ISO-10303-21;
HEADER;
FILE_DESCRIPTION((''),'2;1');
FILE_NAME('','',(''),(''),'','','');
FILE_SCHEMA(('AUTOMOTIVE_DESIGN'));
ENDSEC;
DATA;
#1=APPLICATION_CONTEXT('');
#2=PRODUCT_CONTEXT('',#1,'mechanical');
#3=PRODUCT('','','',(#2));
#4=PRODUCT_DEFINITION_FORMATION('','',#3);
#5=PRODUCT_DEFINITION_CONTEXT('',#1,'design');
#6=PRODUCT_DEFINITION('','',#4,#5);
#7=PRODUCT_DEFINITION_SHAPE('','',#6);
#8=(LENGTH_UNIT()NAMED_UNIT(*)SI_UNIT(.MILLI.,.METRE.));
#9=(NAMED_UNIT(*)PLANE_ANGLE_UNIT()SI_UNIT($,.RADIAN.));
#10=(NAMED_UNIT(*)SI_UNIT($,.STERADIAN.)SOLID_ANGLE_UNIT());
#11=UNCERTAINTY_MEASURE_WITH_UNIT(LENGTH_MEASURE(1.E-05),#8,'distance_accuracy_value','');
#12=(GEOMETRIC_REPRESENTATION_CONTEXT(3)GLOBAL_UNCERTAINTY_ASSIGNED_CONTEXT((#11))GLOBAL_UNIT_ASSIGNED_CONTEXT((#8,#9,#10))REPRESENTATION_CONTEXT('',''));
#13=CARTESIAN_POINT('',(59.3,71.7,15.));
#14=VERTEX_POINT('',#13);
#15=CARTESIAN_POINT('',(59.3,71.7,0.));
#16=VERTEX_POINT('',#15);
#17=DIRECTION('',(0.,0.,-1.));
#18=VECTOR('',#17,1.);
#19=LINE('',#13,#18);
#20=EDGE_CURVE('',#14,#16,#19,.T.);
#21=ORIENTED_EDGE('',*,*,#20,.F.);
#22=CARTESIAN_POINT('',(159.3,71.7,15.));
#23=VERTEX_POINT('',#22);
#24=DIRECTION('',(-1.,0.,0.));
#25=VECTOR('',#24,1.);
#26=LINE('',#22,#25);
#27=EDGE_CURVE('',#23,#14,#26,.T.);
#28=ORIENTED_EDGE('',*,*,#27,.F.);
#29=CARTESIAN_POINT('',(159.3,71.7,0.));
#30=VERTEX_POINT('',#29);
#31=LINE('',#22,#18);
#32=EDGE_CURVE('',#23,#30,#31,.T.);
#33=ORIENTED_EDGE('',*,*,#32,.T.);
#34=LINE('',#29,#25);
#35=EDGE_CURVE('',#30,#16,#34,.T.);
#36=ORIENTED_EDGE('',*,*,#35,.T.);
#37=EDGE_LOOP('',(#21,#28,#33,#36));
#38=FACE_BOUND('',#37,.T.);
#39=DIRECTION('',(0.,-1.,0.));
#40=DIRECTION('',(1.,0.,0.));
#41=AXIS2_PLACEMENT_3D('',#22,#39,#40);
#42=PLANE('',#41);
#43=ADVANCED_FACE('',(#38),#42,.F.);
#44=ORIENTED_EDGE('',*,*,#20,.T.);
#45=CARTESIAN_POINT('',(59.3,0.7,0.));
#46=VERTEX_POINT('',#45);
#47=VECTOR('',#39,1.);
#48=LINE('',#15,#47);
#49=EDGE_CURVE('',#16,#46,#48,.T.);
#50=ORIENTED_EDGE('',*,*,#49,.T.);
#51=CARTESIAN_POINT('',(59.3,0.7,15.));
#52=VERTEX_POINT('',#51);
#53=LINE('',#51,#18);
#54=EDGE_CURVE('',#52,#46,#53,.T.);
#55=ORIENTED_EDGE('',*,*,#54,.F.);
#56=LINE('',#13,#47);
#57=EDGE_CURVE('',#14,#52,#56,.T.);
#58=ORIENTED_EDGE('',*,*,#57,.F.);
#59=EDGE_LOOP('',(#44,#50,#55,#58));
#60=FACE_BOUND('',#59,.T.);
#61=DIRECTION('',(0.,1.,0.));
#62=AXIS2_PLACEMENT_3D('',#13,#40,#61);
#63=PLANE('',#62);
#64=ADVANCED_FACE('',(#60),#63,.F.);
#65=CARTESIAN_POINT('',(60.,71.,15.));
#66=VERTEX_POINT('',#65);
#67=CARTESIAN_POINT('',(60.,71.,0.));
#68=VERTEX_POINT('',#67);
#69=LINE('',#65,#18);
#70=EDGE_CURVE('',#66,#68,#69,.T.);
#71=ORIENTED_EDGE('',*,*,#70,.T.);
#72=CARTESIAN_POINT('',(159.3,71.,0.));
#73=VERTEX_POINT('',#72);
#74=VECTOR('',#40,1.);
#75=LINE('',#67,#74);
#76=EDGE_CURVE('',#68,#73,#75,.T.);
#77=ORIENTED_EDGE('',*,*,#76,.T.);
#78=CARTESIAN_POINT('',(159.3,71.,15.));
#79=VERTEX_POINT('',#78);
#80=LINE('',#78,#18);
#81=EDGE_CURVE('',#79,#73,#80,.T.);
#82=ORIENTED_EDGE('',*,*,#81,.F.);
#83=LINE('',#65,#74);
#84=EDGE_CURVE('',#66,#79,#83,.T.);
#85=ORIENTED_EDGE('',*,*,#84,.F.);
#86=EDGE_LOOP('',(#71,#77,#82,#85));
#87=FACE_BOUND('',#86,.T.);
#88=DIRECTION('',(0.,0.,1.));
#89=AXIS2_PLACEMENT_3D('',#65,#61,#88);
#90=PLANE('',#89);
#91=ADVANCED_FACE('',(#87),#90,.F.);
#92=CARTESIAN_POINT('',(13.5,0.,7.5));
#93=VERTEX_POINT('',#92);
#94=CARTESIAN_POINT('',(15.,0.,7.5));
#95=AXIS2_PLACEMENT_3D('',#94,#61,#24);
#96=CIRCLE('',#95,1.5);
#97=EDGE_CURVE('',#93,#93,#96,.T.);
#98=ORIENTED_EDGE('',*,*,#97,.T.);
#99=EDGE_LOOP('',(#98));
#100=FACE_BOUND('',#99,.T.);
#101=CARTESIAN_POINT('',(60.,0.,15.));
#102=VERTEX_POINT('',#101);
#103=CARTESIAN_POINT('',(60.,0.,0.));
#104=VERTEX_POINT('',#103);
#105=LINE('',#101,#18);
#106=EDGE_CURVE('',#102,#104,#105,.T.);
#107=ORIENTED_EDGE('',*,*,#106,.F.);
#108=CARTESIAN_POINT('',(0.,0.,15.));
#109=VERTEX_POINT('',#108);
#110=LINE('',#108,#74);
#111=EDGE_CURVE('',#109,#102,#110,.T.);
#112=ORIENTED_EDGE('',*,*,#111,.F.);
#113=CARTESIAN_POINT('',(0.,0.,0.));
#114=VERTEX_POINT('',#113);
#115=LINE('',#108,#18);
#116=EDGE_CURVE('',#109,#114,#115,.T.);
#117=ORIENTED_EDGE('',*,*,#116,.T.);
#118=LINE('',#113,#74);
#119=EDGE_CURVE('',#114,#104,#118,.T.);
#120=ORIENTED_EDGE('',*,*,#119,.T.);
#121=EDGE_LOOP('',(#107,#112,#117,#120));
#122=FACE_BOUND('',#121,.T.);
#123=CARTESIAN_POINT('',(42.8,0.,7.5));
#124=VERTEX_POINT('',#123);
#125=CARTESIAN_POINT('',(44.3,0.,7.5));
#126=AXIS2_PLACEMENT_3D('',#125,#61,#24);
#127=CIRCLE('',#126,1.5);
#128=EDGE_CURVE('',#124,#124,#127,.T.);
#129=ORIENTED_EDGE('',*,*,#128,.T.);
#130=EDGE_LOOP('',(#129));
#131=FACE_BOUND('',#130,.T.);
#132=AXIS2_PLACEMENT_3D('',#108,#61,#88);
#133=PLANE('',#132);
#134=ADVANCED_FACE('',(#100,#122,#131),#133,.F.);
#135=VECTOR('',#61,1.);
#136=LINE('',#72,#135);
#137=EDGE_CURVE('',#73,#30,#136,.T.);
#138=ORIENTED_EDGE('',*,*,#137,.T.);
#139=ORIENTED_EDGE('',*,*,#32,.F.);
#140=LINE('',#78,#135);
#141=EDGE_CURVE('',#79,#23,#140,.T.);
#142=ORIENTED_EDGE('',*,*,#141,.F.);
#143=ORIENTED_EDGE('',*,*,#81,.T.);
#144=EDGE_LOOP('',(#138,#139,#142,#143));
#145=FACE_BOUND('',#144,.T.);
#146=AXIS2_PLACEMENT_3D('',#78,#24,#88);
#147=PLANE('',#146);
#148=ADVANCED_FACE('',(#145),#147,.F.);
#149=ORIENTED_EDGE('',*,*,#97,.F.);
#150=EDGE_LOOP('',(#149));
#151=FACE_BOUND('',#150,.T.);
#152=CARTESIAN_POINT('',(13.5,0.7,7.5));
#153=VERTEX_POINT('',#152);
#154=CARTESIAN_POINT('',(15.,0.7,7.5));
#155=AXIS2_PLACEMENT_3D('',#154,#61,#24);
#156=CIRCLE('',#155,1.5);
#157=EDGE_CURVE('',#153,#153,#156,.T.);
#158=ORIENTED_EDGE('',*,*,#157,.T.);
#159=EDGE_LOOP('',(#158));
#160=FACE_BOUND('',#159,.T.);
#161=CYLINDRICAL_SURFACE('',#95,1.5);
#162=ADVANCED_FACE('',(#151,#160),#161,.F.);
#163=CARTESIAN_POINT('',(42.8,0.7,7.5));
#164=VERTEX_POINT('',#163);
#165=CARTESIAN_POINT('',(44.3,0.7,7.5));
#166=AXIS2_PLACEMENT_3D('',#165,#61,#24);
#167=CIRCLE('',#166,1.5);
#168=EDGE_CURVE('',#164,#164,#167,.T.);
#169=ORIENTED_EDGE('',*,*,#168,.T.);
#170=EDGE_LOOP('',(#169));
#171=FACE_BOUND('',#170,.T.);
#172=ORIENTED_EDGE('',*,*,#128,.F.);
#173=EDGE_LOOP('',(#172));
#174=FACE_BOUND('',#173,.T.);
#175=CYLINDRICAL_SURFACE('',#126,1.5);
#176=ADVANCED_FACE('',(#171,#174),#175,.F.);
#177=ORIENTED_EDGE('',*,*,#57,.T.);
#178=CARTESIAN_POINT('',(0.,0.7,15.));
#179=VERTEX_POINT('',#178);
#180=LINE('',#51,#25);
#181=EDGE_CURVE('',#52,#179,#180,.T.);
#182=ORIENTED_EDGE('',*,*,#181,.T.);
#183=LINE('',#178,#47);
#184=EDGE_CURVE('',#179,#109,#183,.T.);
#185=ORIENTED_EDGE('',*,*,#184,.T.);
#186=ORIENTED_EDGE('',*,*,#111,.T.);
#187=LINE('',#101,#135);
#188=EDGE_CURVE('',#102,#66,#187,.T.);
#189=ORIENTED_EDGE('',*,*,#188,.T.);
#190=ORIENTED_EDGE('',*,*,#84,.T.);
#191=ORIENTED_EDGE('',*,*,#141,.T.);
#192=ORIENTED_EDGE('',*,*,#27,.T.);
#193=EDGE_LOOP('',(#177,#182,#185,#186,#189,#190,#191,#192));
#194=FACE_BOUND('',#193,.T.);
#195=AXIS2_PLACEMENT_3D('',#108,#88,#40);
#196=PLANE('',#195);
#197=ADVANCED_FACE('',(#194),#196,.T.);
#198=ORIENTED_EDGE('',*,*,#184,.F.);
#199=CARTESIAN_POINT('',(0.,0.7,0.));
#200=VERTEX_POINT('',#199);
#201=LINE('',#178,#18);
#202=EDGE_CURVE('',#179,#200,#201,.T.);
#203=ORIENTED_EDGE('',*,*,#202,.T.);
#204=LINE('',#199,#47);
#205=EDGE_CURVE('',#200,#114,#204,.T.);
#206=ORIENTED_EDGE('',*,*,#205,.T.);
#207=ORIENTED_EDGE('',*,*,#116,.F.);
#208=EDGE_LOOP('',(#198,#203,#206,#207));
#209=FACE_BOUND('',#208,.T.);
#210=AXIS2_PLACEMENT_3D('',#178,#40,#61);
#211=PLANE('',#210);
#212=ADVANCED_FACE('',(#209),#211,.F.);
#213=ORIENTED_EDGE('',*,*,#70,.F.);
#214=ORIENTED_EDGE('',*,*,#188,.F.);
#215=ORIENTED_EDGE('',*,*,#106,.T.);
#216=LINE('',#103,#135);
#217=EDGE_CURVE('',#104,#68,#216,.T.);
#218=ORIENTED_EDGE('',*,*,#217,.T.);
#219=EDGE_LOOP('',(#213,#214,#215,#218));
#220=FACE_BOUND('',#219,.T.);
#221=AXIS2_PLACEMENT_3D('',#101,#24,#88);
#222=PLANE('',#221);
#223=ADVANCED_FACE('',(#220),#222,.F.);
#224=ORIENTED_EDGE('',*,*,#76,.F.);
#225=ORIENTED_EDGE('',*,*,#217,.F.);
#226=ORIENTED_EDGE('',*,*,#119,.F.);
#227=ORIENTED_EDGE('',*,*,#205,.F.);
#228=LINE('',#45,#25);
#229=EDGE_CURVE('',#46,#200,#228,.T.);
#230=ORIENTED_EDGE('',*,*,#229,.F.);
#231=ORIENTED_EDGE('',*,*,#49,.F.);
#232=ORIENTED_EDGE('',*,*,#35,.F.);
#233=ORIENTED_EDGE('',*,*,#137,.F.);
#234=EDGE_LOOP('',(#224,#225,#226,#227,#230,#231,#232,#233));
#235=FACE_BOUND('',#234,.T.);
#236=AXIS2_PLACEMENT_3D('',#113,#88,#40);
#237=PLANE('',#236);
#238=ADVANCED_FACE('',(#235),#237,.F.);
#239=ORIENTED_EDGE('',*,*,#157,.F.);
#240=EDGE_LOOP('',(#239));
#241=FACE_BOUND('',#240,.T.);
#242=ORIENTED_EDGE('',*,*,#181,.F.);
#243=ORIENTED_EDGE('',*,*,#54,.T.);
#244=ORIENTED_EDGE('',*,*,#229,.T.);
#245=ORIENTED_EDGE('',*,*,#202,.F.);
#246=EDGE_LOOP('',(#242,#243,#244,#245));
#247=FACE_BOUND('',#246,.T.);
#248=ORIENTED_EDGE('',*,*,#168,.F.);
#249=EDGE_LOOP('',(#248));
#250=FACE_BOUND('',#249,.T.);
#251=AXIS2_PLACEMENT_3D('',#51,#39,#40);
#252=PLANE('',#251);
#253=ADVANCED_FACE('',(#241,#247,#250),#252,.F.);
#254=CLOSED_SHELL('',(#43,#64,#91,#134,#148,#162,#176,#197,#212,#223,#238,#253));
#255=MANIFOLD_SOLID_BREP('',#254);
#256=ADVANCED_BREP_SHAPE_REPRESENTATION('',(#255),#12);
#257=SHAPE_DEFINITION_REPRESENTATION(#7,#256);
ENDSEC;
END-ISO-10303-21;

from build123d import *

# Parameters (mm, degrees)
BOSS_EXTRUDE1_DEPTH = 15
SKETCH2_R           = 1.5
CUT_EXTRUDE1_DEPTH  = 176.049964296


with BuildPart() as part:
    # Sketch1 → Boss-Extrude1 (new body)
    with BuildSketch(Plane.XY):
        Polygon((0, 0), (60, 0), (60, 71), (159.3, 71), (159.3, 71.7), (59.3, 71.7), (59.3, 0.7), (0, 0.7), align=None)
    extrude(amount=BOSS_EXTRUDE1_DEPTH)

    # Sketch2 → Cut-Extrude1 (cut, through all)
    with BuildSketch(Plane(origin=(0, 0.7, 0), x_dir=(1, 0, 0), z_dir=(0, 1, 0))):
        with Locations(Location((15, -7.5, 0), (0, 0, 180))):
            Circle(SKETCH2_R)
        with Locations(Location((44.3, -7.5, 0), (0, 0, 180))):
            Circle(SKETCH2_R)
    extrude(amount=-CUT_EXTRUDE1_DEPTH, mode=Mode.SUBTRACT)


solid = part.part
